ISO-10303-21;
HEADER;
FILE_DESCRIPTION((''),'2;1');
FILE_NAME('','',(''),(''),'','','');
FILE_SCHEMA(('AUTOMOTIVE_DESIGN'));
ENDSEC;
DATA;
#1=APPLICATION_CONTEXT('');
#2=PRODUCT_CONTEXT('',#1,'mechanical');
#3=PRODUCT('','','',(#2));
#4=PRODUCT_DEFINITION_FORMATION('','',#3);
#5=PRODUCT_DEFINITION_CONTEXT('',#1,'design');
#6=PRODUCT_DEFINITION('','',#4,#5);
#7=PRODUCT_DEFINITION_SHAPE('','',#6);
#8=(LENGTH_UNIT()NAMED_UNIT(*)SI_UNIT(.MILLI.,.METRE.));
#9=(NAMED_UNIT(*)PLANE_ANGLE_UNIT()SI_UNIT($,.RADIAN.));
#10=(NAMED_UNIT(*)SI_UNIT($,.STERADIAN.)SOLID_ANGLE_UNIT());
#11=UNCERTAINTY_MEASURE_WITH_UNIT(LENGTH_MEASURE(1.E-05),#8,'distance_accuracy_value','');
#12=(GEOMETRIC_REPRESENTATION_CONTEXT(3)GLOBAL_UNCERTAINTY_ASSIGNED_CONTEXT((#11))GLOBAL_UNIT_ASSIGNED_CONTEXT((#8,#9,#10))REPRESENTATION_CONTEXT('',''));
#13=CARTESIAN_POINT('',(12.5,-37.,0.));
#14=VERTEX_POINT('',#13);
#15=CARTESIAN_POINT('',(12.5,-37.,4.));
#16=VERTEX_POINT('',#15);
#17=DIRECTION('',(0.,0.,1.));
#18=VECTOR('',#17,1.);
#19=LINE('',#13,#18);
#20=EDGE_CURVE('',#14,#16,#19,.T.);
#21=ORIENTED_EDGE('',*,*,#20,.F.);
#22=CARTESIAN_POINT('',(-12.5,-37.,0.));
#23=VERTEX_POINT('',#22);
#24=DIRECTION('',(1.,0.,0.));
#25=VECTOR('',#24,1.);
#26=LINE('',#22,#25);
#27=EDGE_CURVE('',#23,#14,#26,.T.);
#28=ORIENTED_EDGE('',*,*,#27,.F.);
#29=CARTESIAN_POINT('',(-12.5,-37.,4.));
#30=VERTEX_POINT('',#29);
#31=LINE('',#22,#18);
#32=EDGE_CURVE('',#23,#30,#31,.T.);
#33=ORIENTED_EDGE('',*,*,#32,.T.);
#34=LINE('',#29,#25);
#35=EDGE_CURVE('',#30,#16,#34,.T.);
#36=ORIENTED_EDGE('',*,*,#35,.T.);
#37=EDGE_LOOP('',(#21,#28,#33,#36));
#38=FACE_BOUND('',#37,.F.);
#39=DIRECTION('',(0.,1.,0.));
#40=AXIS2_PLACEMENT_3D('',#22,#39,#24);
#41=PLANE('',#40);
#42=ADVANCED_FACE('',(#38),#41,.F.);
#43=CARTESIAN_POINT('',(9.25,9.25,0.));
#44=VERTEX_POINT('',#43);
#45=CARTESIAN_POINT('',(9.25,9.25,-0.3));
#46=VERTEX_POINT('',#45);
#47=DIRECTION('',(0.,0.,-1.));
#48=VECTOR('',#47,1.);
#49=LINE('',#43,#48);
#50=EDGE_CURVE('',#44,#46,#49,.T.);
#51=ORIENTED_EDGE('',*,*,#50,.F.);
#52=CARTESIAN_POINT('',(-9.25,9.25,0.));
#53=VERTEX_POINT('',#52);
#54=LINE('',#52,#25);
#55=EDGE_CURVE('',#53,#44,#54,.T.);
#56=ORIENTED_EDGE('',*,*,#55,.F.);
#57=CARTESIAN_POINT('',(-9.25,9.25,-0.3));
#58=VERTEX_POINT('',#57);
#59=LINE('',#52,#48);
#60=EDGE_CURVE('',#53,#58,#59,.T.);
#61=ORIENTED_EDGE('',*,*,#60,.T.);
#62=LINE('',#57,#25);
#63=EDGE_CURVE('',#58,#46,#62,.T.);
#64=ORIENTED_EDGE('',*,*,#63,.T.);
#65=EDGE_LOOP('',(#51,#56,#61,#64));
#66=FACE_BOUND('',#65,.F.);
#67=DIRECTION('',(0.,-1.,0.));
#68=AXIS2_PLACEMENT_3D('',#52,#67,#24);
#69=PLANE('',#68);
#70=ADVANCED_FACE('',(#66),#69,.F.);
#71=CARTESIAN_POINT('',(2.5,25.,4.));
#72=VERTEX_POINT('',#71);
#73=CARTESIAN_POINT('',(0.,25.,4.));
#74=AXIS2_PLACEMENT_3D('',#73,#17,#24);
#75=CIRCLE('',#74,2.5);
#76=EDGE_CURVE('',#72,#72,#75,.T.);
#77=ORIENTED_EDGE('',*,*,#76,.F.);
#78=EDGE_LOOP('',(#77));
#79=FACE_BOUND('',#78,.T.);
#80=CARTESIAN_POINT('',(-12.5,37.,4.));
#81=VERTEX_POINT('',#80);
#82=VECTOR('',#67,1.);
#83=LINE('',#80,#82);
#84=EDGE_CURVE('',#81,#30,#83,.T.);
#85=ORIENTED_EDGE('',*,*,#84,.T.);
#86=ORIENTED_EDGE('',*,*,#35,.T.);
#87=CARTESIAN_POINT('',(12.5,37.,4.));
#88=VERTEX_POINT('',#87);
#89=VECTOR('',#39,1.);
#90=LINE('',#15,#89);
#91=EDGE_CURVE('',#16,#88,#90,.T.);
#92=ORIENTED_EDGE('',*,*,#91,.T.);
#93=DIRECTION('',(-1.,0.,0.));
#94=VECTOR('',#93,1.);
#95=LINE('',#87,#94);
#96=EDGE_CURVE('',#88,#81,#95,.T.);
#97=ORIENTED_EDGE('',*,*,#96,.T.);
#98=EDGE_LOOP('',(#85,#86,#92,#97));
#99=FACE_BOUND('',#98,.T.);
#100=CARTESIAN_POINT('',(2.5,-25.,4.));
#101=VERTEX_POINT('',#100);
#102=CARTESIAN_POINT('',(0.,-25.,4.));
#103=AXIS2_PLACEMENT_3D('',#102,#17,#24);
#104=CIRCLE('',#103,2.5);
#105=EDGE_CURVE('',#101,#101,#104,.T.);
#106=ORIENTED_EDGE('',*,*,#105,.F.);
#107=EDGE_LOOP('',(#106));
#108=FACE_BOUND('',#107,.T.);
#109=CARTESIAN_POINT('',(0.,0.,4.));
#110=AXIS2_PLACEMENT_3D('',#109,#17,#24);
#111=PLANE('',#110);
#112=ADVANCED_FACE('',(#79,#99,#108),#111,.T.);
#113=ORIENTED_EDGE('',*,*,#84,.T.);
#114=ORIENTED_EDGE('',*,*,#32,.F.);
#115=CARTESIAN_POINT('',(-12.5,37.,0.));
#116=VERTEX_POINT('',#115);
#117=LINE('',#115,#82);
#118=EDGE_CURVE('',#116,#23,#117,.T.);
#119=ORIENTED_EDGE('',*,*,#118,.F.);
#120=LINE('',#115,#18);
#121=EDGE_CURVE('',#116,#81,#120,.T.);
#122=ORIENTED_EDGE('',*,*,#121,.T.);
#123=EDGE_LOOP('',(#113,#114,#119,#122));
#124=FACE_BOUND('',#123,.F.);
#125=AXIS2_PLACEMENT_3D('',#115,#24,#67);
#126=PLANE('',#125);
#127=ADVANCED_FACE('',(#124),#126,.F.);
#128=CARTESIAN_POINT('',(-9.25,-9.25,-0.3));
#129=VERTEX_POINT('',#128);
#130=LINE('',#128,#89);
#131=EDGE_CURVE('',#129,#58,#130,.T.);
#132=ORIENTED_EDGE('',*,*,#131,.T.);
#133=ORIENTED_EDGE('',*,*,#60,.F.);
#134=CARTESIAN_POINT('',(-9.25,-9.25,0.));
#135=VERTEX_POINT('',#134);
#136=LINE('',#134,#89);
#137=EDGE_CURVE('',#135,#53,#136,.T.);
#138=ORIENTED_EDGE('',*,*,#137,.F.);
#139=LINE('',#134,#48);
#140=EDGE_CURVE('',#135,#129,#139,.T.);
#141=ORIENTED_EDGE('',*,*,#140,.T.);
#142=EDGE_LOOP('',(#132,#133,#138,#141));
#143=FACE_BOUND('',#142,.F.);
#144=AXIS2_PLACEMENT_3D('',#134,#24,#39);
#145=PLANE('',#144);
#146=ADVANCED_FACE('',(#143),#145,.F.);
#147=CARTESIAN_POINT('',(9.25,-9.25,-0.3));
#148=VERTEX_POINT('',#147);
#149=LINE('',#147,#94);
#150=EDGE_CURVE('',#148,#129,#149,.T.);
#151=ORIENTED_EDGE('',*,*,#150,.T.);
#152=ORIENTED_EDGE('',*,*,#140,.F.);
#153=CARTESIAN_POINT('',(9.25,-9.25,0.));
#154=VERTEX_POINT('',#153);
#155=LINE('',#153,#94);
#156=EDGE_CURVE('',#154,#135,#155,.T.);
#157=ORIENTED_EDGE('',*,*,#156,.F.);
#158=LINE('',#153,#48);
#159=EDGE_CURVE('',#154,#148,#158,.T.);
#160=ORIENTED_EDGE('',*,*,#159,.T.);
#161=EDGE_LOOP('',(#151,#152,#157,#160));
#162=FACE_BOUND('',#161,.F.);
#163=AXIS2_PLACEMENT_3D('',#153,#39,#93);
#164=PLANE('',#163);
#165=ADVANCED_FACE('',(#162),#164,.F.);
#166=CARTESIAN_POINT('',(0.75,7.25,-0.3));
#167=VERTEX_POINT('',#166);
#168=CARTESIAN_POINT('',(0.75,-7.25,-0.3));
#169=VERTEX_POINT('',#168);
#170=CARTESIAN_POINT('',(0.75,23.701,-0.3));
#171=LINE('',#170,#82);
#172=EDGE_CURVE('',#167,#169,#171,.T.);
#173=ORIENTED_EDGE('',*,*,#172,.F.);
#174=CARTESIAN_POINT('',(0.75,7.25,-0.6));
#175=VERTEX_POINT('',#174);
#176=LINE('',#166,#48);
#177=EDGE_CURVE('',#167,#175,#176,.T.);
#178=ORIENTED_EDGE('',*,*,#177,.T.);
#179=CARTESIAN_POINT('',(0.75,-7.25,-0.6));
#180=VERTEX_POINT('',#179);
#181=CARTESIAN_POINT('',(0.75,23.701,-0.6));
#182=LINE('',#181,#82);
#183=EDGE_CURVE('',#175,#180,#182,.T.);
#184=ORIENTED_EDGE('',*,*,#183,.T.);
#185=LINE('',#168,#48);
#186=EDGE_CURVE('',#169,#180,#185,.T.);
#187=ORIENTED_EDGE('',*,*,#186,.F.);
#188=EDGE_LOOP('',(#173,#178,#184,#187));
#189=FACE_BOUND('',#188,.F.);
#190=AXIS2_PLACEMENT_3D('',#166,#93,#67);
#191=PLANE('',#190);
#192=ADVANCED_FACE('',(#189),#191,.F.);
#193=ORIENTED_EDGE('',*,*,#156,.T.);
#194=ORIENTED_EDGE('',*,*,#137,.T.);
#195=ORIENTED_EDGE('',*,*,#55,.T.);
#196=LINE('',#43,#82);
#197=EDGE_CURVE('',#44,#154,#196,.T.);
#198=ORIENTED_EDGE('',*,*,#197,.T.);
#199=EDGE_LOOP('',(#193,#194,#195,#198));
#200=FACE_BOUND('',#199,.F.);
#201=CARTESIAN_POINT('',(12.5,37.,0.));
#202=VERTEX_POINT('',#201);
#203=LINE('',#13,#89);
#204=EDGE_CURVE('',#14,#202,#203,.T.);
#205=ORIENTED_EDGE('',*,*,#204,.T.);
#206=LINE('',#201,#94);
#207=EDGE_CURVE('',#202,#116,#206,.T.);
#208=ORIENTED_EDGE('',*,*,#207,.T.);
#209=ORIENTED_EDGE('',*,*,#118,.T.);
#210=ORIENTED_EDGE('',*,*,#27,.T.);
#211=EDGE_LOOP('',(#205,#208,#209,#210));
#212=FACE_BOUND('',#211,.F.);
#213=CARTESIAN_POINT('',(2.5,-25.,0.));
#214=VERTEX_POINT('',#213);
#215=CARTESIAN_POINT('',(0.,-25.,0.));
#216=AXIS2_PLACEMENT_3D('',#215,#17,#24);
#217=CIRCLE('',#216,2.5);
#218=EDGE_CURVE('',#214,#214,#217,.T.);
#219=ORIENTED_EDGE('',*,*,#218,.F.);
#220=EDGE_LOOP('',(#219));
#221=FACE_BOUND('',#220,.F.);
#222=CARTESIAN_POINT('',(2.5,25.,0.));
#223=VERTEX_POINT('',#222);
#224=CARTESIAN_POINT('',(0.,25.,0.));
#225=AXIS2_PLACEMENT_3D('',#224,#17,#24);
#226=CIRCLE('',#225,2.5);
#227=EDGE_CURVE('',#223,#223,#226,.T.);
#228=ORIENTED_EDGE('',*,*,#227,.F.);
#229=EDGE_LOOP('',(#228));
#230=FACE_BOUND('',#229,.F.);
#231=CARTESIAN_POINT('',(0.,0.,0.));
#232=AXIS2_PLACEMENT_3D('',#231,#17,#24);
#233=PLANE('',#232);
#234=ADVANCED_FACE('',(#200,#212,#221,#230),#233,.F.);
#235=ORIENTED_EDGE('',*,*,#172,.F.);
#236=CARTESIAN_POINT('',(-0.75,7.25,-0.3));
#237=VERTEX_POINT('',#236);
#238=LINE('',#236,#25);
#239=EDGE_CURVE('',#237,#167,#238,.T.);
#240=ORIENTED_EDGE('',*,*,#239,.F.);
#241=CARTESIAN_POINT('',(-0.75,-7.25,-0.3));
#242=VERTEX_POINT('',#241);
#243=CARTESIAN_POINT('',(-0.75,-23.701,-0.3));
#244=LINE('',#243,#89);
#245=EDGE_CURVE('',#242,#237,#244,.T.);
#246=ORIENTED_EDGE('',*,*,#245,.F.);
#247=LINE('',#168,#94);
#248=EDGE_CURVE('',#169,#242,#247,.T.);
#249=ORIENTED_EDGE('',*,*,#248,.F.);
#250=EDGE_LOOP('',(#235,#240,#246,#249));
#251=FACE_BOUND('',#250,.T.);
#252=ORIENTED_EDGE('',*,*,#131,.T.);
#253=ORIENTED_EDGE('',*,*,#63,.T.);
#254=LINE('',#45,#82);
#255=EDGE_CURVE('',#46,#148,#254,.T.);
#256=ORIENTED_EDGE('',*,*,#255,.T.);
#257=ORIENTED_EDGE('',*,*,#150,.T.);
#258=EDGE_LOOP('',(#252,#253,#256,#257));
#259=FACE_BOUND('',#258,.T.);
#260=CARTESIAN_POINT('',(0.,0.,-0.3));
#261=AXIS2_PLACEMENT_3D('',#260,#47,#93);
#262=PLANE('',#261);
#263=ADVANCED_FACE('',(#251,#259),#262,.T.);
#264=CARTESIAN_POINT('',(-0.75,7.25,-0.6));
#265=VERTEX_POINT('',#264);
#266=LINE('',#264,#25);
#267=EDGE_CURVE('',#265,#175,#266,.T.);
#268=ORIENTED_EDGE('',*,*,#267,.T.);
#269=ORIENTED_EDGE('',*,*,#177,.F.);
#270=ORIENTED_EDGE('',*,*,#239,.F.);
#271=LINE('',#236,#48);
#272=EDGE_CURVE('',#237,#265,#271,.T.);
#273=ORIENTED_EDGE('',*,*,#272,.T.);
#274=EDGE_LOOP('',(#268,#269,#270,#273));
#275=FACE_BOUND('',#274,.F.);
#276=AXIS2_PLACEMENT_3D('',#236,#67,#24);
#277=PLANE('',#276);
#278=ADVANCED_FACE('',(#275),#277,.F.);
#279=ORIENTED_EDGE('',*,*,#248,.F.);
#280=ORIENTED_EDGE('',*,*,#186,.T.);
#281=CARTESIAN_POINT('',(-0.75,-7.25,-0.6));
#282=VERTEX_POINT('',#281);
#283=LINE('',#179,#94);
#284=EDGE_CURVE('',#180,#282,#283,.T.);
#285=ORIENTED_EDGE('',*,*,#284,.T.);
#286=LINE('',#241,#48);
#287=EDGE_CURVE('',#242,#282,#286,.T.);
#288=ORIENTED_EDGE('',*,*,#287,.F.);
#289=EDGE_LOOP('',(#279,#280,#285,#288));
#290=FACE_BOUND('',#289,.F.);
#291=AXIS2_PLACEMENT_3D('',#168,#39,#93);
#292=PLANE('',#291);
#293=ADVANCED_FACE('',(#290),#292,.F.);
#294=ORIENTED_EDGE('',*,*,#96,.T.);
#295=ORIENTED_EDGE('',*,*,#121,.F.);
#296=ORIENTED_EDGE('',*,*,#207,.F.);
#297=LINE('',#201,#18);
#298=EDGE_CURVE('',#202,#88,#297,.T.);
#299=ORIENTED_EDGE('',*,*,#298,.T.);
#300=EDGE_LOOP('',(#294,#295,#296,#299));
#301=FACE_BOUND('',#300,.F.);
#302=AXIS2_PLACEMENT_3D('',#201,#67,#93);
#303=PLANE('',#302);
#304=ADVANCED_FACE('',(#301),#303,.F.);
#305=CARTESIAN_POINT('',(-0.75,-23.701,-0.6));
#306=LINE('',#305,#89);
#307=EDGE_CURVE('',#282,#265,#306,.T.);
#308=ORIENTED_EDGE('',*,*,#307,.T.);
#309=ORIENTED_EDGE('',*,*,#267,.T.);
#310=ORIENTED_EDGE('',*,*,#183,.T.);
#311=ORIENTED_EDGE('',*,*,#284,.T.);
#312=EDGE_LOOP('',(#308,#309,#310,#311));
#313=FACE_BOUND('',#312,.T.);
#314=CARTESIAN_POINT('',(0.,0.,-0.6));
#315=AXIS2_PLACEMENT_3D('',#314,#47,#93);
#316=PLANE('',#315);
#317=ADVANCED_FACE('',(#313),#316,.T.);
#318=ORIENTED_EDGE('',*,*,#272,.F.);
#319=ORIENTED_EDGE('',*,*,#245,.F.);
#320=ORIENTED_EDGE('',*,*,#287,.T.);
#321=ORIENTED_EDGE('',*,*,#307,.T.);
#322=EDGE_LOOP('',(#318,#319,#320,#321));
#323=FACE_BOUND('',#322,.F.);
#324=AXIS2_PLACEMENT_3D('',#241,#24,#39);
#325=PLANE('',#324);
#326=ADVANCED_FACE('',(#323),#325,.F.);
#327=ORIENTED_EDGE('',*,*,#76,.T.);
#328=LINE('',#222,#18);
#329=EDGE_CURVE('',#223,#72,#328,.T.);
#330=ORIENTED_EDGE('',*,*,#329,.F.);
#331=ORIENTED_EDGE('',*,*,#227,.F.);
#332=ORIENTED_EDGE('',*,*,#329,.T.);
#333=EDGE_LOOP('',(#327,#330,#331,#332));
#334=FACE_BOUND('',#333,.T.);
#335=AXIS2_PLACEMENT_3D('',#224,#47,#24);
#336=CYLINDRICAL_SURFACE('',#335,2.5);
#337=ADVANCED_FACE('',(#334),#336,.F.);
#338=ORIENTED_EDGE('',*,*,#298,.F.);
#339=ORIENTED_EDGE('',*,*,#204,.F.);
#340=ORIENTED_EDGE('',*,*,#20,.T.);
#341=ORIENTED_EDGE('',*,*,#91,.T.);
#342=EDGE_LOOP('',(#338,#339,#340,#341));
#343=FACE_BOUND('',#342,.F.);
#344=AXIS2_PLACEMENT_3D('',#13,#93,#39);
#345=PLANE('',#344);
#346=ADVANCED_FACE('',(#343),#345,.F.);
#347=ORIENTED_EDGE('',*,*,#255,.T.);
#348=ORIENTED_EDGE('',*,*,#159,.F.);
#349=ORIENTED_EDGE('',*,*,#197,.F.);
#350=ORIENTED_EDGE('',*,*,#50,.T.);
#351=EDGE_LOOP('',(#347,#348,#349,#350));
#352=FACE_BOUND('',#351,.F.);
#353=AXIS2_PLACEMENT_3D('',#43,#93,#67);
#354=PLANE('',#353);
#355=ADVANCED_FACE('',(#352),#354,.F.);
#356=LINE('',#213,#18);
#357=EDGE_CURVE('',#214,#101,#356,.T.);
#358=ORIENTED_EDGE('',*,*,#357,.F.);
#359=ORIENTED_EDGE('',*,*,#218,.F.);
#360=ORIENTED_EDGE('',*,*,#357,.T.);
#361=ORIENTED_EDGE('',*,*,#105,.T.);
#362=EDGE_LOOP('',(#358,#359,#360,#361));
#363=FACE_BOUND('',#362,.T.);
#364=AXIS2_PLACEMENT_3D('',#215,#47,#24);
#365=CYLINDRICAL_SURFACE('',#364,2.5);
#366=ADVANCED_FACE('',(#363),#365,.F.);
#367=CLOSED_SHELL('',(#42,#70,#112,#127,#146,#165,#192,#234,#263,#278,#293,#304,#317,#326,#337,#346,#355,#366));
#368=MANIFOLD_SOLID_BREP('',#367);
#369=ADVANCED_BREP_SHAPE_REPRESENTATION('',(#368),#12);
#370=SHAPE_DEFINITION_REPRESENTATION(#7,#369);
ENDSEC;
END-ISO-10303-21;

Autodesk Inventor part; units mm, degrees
ref_plane "YZ Plane" through (0, 0, 0) normal (1, 0, 0) x (0, 1, 0)
ref_plane "XZ Plane" through (0, 0, 0) normal (0, 1, 0) x (-1, 0, 0)
ref_plane "XY Plane" through (0, 0, 0) normal (0, 0, 1) x (1, 0, 0)
ref_plane "Arbeitsebene1" through (0, 0, 0) normal (0, 0, 1) x (1, 0, 0)
sketch "Skizze1" plane through (0, 0, 0) normal (0, 0, 1) x (1, 0, 0)
  circle A0 centre (0, -25) radius 2.5 projected
  circle A1 centre (0, 25) radius 2.5 projected
  line L0 (12.5, -37) -> (12.5, 37) projected
  line L1 (12.5, 37) -> (-12.5, 37) projected
  line L2 (-12.5, 37) -> (-12.5, -37) projected
  line L3 (-12.5, -37) -> (12.5, -37) projected
  line L4 (0.75, -9.25) -> (-0.75, -9.25) projected
  line L5 (-0.75, -9.25) -> (-0.75, 9.25) projected
  line L6 (-0.75, 9.25) -> (0.75, 9.25) projected
  line L7 (0.75, 9.25) -> (0.75, -9.25) projected
  circle A2 centre (8.5, -30) radius 1.4 projected
  circle A3 centre (-8.5, -30) radius 1.4 projected
  circle A4 centre (-8.5, 30) radius 1.4 projected
  circle A5 centre (8.5, 30) radius 1.4 projected
  point P0 (0, 0)
extrude "Extrusion1" add sketch "Skizze1" along normal blind 4 contours L3 L2 L1 L0 | L4 L5 L6 L7 | A2 | A3 | A4 | A5
sketch "Skizze2" plane through (0, 0, 0) normal (0, 0, -1) x (-1, 0, 0)
  line L0 (9.25, 9.25) -> (-9.25, 9.25) projected
  line L1 (9.25, -9.25) -> (9.25, 9.25) projected
  line L2 (-9.25, -9.25) -> (9.25, -9.25) projected
  line L3 (-9.25, 9.25) -> (-9.25, -9.25) projected
  point P0 (0, 0)
extrude "Extrusion2" add sketch "Skizze2" along normal blind 0.3
sketch "Skizze3" plane through (0, 0, -0.3) normal (0, 0, -1) x (-1, 0, 0)
  line L0 (0.75, 7.25) -> (-0.75, 7.25) projected
  line L1 (0.75, -23.701) -> (0.75, 23.701) projected
  line L2 (-0.75, 23.701) -> (-0.75, -23.701) projected
  line L3 (-0.75, -7.25) -> (0.75, -7.25) projected
  line L4 (0.75, 7.25) -> (-0.75, 7.25)
  line L5 (-0.75, 7.25) -> (-0.75, -7.25)
  line L6 (-0.75, -7.25) -> (0.75, -7.25)
  line L7 (0.75, -7.25) -> (0.75, 7.25)
  point P0 (0, 0)
extrude "Extrusion3" add sketch "Skizze3" along normal blind 0.3
properties part number "40_microfluidic_chip_lightsheet_layer1_negative_mould_lower_v0"
